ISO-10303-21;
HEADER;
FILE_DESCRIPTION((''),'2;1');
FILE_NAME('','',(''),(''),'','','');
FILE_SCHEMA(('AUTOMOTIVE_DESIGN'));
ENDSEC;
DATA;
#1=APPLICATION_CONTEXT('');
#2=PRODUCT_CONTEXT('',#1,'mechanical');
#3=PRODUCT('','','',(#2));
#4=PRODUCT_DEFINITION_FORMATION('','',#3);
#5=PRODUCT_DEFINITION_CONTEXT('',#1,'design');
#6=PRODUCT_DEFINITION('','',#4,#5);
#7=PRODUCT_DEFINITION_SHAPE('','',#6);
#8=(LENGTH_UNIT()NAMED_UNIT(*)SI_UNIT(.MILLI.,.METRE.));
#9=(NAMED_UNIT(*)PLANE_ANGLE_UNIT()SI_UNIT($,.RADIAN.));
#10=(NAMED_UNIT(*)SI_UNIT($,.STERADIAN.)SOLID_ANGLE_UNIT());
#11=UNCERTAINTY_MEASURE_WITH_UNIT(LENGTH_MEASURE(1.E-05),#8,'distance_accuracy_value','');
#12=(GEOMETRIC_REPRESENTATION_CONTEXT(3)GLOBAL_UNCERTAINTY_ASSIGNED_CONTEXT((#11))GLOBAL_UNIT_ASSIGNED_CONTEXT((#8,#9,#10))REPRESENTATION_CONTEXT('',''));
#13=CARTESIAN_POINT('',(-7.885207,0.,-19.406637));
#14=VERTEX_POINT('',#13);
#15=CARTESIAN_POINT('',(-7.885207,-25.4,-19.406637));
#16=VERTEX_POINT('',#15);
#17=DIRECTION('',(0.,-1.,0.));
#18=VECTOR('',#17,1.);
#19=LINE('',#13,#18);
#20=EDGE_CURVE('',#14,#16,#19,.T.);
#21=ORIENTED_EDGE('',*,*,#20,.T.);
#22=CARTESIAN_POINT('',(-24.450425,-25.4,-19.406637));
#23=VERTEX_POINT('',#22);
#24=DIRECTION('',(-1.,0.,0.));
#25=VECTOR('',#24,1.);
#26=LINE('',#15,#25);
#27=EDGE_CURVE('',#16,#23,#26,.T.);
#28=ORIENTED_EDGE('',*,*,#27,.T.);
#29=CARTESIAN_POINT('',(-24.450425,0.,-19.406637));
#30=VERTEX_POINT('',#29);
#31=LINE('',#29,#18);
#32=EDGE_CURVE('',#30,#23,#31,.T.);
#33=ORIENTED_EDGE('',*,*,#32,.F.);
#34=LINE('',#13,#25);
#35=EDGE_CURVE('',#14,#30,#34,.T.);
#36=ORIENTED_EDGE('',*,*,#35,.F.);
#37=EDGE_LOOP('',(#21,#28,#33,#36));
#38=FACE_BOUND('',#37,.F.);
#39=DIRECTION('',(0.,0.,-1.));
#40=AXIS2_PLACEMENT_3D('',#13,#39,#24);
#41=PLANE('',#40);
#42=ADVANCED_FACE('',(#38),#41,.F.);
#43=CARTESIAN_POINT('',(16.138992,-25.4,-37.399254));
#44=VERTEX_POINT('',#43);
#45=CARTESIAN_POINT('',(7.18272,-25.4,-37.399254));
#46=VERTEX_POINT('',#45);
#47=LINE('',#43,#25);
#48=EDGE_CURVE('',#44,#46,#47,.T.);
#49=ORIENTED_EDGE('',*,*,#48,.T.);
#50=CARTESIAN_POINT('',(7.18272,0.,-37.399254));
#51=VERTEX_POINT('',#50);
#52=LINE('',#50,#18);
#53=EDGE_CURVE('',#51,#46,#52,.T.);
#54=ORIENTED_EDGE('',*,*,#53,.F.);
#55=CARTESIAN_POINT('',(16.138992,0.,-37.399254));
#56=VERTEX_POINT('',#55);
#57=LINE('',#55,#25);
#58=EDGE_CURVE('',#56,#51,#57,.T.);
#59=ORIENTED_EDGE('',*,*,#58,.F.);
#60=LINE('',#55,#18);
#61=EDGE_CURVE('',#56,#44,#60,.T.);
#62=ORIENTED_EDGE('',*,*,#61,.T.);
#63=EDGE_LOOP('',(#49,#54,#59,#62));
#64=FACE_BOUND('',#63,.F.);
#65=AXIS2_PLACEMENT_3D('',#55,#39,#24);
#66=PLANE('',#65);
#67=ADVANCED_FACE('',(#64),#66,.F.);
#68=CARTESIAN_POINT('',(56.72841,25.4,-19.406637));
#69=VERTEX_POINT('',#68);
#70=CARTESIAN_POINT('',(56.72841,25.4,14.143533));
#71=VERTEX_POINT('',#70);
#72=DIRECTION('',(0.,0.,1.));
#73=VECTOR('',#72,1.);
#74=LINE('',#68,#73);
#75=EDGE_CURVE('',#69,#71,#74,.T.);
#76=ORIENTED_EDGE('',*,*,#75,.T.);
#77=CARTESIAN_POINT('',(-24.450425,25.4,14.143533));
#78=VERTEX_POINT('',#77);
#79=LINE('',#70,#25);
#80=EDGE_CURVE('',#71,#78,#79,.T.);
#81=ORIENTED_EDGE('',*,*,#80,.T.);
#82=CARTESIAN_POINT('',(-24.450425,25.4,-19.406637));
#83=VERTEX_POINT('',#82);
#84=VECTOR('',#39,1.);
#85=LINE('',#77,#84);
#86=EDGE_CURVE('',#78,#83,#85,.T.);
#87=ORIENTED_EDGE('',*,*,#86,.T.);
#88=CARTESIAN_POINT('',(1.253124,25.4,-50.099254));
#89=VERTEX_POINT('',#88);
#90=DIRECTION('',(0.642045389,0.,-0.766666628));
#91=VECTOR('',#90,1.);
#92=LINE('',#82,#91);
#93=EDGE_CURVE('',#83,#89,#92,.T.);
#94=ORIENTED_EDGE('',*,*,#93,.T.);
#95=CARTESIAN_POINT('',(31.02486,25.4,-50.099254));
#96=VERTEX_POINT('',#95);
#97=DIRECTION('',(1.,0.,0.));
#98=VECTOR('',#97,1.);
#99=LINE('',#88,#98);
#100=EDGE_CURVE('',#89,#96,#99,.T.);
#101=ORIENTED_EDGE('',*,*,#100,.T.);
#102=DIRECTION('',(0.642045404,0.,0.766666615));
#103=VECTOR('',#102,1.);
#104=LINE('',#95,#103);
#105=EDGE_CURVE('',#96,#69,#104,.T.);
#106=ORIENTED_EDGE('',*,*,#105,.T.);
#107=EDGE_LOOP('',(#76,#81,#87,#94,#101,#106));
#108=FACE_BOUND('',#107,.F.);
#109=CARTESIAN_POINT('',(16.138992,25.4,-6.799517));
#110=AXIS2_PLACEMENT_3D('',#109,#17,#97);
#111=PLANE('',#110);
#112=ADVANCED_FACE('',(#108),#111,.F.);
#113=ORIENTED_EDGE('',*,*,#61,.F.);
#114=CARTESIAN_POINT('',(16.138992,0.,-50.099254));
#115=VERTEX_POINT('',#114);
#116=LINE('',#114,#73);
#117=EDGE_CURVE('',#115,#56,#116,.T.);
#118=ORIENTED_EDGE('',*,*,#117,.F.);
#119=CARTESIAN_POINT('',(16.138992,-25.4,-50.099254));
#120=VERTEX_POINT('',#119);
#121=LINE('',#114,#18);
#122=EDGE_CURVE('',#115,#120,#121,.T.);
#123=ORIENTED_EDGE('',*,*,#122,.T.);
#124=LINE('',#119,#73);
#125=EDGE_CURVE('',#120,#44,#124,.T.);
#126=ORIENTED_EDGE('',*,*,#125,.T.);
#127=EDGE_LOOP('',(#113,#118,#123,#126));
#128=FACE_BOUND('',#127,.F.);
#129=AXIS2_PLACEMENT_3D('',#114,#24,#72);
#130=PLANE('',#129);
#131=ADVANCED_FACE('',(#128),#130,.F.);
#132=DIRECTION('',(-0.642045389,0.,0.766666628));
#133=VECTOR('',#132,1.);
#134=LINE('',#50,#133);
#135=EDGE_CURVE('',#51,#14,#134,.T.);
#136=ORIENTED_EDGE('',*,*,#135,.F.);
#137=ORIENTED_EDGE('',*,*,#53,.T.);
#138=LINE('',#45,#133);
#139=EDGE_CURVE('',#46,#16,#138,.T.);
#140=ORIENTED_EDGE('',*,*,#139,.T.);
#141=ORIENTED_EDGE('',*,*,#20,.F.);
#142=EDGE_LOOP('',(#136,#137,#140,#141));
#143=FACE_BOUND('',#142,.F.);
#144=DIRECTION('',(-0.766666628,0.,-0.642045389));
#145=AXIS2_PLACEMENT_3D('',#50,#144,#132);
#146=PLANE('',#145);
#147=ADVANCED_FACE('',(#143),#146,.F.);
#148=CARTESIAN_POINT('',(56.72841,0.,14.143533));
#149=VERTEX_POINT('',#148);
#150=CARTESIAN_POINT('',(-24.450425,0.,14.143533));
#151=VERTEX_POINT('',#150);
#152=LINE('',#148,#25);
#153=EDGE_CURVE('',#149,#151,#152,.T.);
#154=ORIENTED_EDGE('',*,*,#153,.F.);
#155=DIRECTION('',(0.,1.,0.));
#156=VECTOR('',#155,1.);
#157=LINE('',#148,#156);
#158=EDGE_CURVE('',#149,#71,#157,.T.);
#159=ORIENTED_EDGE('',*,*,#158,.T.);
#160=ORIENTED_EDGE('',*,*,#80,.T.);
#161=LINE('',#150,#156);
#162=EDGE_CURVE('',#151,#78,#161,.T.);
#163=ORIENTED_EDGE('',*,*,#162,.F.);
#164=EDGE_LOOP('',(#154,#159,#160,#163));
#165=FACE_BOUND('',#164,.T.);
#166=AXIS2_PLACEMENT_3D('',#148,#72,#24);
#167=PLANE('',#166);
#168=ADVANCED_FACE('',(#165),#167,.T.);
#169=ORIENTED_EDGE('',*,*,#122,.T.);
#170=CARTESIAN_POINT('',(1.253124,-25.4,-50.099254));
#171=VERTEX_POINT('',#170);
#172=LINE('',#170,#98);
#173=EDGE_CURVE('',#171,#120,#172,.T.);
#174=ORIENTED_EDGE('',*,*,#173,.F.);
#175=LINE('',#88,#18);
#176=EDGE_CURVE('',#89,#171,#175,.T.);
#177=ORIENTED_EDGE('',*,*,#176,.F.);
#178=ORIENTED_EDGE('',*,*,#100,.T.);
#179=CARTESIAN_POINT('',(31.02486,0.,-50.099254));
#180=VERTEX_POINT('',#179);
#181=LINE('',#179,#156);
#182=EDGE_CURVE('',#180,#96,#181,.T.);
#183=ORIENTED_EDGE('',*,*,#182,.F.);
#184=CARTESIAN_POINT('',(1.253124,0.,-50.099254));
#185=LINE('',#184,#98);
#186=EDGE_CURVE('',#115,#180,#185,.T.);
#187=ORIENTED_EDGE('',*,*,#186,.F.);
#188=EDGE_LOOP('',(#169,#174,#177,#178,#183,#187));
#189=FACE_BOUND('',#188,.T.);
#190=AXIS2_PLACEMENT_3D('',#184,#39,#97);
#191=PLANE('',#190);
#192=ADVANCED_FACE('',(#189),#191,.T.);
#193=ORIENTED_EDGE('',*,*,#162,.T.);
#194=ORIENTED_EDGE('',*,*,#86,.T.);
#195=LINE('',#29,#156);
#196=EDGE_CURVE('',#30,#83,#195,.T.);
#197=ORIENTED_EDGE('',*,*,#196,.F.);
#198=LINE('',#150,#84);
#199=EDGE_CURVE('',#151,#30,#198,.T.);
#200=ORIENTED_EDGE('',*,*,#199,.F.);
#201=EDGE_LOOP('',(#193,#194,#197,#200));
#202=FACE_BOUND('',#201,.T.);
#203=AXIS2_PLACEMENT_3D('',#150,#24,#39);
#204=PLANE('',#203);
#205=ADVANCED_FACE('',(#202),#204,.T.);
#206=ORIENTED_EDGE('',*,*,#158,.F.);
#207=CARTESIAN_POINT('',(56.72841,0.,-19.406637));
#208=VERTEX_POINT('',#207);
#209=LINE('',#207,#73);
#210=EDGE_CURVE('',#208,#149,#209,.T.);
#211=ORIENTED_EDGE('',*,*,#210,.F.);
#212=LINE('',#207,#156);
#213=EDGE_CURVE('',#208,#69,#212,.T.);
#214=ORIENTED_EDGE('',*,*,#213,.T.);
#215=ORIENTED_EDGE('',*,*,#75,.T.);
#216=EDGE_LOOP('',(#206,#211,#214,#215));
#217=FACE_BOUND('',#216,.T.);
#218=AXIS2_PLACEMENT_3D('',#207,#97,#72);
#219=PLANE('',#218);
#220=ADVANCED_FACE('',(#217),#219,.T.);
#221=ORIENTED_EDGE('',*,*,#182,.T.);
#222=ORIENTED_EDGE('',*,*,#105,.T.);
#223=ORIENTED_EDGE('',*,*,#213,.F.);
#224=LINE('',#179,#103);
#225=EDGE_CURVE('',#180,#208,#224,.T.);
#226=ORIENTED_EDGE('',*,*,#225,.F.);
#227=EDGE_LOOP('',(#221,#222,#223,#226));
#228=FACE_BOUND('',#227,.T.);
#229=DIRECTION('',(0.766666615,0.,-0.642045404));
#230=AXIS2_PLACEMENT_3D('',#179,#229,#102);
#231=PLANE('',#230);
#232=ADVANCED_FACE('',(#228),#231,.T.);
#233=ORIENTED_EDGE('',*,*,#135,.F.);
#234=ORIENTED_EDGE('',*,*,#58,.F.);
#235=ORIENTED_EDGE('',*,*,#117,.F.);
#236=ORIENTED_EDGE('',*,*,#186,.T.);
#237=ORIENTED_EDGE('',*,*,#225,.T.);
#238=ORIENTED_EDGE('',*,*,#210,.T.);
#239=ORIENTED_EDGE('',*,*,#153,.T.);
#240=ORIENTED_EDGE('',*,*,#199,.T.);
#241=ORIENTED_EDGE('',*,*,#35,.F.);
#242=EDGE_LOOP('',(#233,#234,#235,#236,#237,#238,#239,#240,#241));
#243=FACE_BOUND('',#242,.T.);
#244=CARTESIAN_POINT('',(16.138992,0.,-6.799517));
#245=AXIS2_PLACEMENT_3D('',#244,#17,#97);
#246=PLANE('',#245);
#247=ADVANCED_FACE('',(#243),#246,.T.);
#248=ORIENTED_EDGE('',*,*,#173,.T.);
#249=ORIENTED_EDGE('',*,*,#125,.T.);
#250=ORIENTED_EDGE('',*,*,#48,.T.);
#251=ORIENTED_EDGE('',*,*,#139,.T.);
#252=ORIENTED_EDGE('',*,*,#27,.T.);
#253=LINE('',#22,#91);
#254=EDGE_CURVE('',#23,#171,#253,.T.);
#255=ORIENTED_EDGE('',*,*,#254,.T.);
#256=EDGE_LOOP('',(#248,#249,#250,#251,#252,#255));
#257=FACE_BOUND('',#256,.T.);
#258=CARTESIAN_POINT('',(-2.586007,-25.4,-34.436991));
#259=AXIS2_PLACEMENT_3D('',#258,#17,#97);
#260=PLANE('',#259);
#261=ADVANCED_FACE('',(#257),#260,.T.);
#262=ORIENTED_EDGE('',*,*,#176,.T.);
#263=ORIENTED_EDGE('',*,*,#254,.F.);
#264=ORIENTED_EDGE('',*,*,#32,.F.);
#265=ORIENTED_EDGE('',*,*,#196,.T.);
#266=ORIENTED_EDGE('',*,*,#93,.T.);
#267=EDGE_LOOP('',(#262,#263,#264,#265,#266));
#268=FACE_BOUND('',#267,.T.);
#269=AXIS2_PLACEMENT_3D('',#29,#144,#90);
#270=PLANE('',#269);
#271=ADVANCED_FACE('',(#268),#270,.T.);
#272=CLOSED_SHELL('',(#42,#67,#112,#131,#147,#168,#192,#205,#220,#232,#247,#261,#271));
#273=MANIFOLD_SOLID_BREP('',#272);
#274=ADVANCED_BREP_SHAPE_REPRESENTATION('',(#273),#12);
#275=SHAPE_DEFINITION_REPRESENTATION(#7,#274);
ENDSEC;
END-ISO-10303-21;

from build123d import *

# Parameters (mm, degrees)
F1_DEPTH = 25.4
F2_DEPTH = 25.4


with BuildPart() as f1:
    # F0 (on Front) → F1 (new body)
    with BuildSketch(Plane.XZ):
        Polygon((-7.885207, -19.406637), (-24.450425, -19.406637), (1.253124, -50.099254), (16.138992, -50.099254), (16.138992, -37.399254), (7.18272, -37.399254), align=None)
    extrude(amount=F1_DEPTH)

    # F0 (on Front) → F2 (join)
    with BuildSketch(Plane.XZ):
        Polygon((56.72841, 14.143533), (-24.450425, 14.143533), (-24.450425, -19.406637), (-7.885207, -19.406637), (7.18272, -37.399254), (16.138992, -37.399254), (25.095264, -37.399254), (40.163191, -19.406637), (56.72841, -19.406637), align=None)
        Polygon((-7.885207, -19.406637), (-24.450425, -19.406637), (1.253124, -50.099254), (16.138992, -50.099254), (16.138992, -37.399254), (7.18272, -37.399254), align=None)
        Polygon((31.02486, -50.099254), (56.72841, -19.406637), (40.163191, -19.406637), (25.095264, -37.399254), (16.138992, -37.399254), (16.138992, -50.099254), align=None)
    extrude(amount=-F2_DEPTH)


solid = f1.part
